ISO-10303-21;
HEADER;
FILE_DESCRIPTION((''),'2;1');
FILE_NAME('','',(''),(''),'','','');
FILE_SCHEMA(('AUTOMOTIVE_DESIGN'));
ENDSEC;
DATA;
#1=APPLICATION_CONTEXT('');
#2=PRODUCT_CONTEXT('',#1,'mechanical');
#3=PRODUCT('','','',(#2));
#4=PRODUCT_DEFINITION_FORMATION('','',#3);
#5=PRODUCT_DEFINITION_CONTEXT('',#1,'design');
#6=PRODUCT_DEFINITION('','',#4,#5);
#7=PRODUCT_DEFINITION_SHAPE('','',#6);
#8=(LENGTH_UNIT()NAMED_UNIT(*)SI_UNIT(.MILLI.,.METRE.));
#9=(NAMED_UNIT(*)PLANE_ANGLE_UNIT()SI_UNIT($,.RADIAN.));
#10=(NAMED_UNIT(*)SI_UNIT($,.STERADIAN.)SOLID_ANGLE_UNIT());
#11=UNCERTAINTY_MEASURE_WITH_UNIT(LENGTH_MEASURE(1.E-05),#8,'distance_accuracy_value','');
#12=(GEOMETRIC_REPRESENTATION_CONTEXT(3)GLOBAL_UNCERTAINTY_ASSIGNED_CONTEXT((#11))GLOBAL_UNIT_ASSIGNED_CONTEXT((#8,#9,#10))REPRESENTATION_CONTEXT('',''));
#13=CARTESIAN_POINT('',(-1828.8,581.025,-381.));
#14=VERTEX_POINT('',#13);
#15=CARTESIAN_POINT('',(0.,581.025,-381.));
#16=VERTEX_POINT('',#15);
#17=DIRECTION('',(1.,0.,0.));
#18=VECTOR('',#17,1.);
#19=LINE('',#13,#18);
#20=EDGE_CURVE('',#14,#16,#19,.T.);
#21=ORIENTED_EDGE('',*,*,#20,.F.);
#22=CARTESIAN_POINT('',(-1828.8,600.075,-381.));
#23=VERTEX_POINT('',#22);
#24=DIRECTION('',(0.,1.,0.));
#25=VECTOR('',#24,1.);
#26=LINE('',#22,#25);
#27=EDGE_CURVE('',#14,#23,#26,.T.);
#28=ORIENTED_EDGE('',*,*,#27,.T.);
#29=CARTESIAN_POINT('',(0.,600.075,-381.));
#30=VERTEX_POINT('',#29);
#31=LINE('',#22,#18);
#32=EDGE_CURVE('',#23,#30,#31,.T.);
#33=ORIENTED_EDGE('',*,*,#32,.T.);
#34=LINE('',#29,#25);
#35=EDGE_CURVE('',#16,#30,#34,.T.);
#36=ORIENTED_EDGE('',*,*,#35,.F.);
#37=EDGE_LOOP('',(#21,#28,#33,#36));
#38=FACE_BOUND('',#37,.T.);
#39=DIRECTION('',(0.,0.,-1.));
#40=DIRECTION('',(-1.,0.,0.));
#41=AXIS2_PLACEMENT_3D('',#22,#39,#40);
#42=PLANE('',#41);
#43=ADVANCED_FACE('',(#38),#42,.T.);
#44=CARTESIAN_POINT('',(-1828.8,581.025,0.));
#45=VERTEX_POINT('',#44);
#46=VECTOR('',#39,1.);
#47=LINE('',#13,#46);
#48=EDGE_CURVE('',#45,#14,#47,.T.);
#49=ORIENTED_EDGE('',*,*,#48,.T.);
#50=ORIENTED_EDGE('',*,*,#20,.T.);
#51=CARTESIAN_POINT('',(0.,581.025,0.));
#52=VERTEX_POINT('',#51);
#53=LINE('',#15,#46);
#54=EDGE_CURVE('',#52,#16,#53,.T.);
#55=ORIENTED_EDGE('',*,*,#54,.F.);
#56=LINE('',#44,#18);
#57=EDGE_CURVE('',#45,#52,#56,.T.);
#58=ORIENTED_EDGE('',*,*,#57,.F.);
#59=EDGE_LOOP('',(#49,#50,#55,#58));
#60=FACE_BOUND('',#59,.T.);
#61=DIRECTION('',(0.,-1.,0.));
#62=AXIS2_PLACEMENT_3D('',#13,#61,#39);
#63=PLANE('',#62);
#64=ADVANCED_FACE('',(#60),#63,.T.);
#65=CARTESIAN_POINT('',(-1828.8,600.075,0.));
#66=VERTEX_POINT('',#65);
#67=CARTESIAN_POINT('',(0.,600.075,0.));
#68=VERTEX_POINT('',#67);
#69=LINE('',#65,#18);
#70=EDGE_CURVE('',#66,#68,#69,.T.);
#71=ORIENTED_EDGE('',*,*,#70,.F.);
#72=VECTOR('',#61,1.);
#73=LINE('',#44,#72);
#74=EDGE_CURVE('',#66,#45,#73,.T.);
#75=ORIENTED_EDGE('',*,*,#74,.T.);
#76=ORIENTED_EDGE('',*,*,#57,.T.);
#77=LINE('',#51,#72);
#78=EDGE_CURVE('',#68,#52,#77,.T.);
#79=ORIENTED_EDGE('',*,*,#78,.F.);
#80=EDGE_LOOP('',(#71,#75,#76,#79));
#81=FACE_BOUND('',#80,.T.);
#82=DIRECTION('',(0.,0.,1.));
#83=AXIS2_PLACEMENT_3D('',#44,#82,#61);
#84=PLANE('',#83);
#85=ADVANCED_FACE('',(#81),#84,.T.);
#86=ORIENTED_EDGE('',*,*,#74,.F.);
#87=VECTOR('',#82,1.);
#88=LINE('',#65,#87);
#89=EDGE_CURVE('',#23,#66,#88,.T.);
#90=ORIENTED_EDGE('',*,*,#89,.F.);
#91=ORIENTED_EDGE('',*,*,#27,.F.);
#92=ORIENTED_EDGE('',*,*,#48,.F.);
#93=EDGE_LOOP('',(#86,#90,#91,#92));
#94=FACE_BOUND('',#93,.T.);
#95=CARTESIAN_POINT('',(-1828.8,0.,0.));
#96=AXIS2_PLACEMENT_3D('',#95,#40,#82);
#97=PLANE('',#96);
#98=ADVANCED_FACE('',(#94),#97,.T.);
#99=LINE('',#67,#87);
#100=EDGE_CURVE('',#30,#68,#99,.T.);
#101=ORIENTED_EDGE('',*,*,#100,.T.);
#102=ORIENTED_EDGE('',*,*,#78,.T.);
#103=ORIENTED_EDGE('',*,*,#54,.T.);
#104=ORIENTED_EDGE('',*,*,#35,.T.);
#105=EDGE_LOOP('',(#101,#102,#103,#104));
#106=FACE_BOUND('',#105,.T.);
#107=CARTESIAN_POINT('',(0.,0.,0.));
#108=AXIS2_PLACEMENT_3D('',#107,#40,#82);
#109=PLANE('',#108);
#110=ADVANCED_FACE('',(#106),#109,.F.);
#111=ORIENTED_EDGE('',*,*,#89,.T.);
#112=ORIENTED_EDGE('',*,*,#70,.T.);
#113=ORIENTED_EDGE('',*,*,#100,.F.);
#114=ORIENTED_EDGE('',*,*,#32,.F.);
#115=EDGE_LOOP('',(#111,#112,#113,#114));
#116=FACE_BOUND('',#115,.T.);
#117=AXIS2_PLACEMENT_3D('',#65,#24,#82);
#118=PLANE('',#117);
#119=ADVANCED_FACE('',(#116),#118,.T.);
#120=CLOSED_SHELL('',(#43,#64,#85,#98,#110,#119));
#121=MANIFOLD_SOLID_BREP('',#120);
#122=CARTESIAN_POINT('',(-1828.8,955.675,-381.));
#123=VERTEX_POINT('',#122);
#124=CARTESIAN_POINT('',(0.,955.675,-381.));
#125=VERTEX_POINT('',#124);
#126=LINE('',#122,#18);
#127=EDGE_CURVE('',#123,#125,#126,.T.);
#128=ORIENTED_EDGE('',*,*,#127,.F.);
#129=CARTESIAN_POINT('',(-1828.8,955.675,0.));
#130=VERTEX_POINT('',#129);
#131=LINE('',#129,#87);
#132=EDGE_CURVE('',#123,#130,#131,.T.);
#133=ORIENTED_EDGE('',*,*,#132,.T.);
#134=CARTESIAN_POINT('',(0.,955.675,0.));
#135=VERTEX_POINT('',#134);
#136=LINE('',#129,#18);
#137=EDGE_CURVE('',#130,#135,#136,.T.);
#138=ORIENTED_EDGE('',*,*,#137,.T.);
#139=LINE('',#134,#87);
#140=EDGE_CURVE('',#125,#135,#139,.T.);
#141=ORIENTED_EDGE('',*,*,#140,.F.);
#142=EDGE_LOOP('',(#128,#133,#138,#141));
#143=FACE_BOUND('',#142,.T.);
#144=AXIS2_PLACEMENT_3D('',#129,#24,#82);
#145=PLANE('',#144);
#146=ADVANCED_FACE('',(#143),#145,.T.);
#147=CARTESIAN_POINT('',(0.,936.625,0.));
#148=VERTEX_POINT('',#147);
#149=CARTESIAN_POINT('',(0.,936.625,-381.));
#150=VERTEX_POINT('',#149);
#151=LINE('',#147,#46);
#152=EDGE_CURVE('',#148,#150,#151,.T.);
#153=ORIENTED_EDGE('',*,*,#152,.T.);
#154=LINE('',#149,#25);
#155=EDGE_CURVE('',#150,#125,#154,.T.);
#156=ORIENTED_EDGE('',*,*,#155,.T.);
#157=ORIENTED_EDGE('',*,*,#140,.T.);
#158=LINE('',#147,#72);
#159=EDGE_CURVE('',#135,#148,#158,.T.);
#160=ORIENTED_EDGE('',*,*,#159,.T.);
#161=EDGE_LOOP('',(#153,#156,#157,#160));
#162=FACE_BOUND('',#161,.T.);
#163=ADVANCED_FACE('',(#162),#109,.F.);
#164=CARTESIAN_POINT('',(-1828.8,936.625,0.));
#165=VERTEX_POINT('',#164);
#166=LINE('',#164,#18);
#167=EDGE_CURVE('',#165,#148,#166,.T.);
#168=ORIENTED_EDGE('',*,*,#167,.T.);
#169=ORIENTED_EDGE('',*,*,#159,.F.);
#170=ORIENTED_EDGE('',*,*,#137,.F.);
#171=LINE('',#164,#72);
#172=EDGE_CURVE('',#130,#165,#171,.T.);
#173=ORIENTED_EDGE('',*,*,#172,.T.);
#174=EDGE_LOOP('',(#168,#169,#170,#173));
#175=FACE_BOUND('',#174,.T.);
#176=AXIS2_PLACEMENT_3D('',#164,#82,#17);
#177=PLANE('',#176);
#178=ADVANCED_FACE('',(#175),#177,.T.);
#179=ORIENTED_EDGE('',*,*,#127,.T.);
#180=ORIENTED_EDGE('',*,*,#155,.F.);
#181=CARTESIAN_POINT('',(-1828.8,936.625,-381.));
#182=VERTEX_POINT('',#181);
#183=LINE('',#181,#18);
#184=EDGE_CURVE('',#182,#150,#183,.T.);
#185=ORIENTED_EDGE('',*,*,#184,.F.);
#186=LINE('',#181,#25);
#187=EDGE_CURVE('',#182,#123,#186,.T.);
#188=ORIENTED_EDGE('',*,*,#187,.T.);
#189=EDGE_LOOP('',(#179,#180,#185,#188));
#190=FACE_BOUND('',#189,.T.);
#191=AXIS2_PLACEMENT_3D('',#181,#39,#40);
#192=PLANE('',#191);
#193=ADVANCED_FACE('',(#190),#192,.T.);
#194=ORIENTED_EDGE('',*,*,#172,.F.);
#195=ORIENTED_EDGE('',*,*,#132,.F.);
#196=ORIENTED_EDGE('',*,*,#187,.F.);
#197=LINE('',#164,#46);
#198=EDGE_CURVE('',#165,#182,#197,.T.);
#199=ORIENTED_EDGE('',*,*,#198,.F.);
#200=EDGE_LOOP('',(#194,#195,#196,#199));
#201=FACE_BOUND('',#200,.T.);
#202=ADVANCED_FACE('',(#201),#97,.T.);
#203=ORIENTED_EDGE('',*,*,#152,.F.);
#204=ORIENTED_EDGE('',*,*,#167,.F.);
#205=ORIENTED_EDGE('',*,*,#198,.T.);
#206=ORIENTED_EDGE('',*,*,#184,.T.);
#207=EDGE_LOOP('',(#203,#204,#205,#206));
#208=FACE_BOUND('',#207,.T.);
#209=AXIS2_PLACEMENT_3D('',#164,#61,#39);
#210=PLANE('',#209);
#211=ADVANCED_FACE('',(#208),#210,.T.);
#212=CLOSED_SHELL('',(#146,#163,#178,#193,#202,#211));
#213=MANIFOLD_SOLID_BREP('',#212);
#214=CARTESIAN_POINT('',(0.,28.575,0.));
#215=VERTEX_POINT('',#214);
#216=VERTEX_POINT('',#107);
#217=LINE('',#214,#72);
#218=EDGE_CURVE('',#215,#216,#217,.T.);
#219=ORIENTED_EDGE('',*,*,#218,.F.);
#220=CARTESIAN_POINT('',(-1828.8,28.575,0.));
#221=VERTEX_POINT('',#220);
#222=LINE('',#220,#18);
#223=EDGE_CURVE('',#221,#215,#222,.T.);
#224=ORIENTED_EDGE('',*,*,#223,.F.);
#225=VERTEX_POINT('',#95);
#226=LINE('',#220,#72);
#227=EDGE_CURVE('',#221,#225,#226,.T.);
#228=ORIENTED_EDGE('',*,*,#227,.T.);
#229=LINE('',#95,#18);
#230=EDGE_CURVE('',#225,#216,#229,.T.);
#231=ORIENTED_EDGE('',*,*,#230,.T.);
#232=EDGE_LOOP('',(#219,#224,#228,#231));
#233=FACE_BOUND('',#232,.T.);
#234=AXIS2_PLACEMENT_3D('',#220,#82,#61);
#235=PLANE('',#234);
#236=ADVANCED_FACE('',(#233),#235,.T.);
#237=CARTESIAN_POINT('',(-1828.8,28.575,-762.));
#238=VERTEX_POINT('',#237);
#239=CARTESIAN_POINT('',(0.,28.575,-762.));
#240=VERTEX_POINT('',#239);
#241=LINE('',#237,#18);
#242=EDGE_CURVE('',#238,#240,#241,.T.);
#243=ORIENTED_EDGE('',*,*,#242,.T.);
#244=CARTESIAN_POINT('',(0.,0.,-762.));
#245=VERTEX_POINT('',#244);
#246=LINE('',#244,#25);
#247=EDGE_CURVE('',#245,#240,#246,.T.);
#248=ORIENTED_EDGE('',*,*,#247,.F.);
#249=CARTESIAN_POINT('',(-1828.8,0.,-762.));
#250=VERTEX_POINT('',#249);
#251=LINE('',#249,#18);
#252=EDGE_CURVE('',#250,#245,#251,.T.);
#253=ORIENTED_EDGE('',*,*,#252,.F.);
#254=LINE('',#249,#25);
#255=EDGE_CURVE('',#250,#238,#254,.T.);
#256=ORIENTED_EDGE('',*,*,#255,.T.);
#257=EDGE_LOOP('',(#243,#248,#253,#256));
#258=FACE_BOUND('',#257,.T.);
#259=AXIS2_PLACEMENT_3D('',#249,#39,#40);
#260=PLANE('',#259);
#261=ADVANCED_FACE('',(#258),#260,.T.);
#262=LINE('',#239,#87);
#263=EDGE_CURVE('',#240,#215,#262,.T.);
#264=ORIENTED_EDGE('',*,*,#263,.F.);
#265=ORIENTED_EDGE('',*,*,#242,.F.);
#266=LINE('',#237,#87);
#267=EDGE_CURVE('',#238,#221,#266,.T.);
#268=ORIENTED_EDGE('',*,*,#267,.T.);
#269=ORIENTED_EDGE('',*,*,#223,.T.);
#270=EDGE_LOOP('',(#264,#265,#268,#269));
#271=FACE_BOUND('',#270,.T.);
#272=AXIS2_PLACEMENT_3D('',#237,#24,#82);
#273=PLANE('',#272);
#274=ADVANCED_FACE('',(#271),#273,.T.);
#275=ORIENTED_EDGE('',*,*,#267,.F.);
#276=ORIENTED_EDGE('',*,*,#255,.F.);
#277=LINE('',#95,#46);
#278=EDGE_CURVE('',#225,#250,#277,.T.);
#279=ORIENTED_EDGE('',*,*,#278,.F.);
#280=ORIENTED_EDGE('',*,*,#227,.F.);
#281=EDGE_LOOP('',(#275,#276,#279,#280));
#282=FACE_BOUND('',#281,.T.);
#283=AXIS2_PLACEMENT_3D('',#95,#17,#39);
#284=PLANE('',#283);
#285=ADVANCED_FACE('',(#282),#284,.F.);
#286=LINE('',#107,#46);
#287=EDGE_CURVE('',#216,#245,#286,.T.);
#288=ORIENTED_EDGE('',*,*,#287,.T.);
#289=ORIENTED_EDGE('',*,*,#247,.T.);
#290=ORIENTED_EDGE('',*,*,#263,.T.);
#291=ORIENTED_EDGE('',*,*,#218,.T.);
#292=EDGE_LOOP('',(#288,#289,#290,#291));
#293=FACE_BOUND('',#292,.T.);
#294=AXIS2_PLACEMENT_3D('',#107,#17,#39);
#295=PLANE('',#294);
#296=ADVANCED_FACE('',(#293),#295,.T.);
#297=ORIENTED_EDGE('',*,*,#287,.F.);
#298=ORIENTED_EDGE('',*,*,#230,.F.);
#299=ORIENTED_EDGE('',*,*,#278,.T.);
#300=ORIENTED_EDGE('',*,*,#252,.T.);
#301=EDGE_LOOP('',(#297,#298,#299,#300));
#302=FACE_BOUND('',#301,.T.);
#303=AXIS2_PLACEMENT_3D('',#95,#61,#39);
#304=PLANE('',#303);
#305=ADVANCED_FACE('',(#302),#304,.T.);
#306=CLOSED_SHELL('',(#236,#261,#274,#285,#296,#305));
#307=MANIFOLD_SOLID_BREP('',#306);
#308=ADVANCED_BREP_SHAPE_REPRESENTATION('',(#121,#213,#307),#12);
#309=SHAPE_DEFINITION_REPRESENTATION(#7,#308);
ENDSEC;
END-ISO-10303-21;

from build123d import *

# Parameters (mm, degrees)
SKETCH1_W             = 762
SKETCH1_H             = 28.575
BOSS_EXTRUDE1_DEPTH   = 1828.8
SKETCH1_W_2           = 381
SKETCH1_H_2           = 19.05
BOSS_EXTRUDE1_2_DEPTH = 1828.8
BOSS_EXTRUDE1_3_DEPTH = 1828.8


with BuildPart() as part:
    # Sketch1 → Boss-Extrude1 (new body)
    with BuildSketch(Plane(origin=(0, 0, 0), x_dir=(0, 0, -1), z_dir=(1, 0, 0))):
        with Locations((381, 14.2875)):
            Rectangle(SKETCH1_W, SKETCH1_H)
    extrude(amount=-BOSS_EXTRUDE1_DEPTH)


with BuildPart() as body_2:
    # Sketch1 → Boss-Extrude1 2 (new body)
    with BuildSketch(Plane(origin=(0, 0, 0), x_dir=(0, 0, -1), z_dir=(1, 0, 0))):
        with Locations((190.5, 590.55)):
            Rectangle(SKETCH1_W_2, SKETCH1_H_2)
    extrude(amount=-BOSS_EXTRUDE1_2_DEPTH)


with BuildPart() as body_3:
    # Sketch1 → Boss-Extrude1 3 (new body)
    with BuildSketch(Plane(origin=(0, 0, 0), x_dir=(0, 0, -1), z_dir=(1, 0, 0))):
        with Locations((190.5, 946.15)):
            Rectangle(SKETCH1_W_2, SKETCH1_H_2)
    extrude(amount=-BOSS_EXTRUDE1_3_DEPTH)


solid = Compound([part.part, body_2.part, body_3.part])
